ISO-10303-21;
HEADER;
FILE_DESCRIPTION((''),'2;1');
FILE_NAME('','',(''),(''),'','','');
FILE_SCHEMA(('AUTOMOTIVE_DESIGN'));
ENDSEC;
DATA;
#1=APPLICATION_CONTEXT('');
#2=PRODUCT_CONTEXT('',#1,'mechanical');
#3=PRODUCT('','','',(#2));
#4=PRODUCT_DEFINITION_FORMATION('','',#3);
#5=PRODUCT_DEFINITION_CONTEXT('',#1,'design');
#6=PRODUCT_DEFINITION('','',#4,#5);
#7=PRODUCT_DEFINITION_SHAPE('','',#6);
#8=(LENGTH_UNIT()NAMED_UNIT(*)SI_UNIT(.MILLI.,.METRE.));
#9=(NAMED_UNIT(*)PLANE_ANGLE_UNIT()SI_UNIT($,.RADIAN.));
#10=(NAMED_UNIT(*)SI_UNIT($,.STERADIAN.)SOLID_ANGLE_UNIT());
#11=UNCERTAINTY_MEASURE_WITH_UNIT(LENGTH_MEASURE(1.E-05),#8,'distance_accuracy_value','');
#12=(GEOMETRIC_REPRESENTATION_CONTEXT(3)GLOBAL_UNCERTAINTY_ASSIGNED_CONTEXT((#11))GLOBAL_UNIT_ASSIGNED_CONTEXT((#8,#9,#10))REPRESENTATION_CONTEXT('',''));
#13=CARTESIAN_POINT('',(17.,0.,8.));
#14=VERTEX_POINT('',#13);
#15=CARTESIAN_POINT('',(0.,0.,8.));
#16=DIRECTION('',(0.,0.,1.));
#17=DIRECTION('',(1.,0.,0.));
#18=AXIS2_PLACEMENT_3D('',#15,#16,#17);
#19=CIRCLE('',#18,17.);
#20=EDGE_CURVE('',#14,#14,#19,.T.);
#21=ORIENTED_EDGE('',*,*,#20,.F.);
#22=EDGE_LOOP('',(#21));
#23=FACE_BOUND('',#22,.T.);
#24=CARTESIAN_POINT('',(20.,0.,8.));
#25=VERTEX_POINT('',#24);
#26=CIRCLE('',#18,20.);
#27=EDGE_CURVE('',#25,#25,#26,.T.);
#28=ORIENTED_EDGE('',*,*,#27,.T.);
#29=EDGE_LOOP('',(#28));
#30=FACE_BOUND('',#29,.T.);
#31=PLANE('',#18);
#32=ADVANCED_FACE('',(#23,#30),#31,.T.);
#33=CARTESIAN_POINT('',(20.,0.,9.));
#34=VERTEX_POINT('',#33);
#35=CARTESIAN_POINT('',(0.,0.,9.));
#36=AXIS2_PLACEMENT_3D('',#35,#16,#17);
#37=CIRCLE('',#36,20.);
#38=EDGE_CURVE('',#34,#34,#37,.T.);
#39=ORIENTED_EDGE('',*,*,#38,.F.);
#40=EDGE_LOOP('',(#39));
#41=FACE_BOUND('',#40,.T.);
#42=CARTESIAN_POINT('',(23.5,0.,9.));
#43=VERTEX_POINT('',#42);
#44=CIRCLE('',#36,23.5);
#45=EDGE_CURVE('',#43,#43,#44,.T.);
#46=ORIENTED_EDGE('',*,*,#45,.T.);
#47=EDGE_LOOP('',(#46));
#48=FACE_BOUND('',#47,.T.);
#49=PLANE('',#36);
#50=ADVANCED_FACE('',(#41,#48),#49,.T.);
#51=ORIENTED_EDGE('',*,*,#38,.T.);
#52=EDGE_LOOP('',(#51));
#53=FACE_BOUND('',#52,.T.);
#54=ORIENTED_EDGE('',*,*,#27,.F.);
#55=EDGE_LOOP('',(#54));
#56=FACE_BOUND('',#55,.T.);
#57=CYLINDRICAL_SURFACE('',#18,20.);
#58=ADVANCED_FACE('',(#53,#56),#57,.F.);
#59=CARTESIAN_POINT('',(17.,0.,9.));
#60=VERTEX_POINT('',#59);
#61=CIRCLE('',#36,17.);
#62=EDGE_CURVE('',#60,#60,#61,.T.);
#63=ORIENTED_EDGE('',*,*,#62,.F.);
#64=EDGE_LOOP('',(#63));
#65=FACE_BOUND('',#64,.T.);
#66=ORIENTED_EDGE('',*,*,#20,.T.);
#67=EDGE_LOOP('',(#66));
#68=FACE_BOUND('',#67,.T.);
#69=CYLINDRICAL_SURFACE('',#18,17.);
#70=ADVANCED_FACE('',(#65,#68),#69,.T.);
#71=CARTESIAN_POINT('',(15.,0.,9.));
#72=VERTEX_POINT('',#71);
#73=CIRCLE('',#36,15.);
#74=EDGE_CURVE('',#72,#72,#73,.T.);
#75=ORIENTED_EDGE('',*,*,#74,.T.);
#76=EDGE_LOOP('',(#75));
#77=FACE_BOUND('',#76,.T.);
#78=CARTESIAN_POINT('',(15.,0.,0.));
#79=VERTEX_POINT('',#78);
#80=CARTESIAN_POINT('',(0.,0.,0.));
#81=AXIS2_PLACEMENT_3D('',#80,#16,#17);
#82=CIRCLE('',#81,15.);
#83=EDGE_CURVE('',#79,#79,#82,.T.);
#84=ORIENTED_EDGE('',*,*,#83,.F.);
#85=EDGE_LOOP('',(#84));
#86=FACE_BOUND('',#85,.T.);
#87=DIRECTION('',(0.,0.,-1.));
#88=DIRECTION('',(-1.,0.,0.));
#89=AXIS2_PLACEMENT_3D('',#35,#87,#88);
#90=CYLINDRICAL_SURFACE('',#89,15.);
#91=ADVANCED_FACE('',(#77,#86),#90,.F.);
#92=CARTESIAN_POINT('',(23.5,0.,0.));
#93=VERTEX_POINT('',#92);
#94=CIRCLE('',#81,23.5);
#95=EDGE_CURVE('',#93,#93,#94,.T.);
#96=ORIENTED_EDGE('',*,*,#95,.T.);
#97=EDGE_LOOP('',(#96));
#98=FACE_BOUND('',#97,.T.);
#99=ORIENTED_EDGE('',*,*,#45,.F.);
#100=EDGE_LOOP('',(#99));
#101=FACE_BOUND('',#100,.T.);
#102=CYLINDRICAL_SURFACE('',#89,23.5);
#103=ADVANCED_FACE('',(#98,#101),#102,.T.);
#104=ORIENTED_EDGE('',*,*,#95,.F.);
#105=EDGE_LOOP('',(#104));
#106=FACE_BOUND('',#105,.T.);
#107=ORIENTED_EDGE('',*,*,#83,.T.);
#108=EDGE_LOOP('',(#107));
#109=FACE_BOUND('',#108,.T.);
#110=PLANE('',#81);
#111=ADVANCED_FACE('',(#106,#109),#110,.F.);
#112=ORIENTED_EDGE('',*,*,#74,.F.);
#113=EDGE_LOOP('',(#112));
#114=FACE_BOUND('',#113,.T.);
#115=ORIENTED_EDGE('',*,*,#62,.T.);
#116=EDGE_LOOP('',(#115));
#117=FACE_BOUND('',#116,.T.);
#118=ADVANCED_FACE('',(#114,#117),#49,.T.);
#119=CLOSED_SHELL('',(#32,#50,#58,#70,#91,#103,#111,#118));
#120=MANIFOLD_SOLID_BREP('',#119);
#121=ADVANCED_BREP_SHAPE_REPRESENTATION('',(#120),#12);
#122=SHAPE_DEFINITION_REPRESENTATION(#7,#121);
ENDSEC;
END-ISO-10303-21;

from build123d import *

# Parameters (mm, degrees)
SKETCH_1_R          = 23.5
SKETCH_1_R_2        = 15
EXTRUDE_1_DEPTH     = 9
SKETCH_2_R          = 20
SKETCH_2_R_2        = 17
CUT_EXTRUDE_1_DEPTH = 1


with BuildPart() as part:
    # 草图1 → 凸台-拉伸1 (new body)
    with BuildSketch(Plane.XY):
        Circle(SKETCH_1_R)
        Circle(SKETCH_1_R_2, mode=Mode.SUBTRACT)
    extrude(amount=EXTRUDE_1_DEPTH)

    # 草图2 → 切除-拉伸1 (cut)
    with BuildSketch(Plane.XY.offset(9)):
        Circle(SKETCH_2_R)
        Circle(SKETCH_2_R_2, mode=Mode.SUBTRACT)
    extrude(amount=-CUT_EXTRUDE_1_DEPTH, mode=Mode.SUBTRACT)


solid = part.part
